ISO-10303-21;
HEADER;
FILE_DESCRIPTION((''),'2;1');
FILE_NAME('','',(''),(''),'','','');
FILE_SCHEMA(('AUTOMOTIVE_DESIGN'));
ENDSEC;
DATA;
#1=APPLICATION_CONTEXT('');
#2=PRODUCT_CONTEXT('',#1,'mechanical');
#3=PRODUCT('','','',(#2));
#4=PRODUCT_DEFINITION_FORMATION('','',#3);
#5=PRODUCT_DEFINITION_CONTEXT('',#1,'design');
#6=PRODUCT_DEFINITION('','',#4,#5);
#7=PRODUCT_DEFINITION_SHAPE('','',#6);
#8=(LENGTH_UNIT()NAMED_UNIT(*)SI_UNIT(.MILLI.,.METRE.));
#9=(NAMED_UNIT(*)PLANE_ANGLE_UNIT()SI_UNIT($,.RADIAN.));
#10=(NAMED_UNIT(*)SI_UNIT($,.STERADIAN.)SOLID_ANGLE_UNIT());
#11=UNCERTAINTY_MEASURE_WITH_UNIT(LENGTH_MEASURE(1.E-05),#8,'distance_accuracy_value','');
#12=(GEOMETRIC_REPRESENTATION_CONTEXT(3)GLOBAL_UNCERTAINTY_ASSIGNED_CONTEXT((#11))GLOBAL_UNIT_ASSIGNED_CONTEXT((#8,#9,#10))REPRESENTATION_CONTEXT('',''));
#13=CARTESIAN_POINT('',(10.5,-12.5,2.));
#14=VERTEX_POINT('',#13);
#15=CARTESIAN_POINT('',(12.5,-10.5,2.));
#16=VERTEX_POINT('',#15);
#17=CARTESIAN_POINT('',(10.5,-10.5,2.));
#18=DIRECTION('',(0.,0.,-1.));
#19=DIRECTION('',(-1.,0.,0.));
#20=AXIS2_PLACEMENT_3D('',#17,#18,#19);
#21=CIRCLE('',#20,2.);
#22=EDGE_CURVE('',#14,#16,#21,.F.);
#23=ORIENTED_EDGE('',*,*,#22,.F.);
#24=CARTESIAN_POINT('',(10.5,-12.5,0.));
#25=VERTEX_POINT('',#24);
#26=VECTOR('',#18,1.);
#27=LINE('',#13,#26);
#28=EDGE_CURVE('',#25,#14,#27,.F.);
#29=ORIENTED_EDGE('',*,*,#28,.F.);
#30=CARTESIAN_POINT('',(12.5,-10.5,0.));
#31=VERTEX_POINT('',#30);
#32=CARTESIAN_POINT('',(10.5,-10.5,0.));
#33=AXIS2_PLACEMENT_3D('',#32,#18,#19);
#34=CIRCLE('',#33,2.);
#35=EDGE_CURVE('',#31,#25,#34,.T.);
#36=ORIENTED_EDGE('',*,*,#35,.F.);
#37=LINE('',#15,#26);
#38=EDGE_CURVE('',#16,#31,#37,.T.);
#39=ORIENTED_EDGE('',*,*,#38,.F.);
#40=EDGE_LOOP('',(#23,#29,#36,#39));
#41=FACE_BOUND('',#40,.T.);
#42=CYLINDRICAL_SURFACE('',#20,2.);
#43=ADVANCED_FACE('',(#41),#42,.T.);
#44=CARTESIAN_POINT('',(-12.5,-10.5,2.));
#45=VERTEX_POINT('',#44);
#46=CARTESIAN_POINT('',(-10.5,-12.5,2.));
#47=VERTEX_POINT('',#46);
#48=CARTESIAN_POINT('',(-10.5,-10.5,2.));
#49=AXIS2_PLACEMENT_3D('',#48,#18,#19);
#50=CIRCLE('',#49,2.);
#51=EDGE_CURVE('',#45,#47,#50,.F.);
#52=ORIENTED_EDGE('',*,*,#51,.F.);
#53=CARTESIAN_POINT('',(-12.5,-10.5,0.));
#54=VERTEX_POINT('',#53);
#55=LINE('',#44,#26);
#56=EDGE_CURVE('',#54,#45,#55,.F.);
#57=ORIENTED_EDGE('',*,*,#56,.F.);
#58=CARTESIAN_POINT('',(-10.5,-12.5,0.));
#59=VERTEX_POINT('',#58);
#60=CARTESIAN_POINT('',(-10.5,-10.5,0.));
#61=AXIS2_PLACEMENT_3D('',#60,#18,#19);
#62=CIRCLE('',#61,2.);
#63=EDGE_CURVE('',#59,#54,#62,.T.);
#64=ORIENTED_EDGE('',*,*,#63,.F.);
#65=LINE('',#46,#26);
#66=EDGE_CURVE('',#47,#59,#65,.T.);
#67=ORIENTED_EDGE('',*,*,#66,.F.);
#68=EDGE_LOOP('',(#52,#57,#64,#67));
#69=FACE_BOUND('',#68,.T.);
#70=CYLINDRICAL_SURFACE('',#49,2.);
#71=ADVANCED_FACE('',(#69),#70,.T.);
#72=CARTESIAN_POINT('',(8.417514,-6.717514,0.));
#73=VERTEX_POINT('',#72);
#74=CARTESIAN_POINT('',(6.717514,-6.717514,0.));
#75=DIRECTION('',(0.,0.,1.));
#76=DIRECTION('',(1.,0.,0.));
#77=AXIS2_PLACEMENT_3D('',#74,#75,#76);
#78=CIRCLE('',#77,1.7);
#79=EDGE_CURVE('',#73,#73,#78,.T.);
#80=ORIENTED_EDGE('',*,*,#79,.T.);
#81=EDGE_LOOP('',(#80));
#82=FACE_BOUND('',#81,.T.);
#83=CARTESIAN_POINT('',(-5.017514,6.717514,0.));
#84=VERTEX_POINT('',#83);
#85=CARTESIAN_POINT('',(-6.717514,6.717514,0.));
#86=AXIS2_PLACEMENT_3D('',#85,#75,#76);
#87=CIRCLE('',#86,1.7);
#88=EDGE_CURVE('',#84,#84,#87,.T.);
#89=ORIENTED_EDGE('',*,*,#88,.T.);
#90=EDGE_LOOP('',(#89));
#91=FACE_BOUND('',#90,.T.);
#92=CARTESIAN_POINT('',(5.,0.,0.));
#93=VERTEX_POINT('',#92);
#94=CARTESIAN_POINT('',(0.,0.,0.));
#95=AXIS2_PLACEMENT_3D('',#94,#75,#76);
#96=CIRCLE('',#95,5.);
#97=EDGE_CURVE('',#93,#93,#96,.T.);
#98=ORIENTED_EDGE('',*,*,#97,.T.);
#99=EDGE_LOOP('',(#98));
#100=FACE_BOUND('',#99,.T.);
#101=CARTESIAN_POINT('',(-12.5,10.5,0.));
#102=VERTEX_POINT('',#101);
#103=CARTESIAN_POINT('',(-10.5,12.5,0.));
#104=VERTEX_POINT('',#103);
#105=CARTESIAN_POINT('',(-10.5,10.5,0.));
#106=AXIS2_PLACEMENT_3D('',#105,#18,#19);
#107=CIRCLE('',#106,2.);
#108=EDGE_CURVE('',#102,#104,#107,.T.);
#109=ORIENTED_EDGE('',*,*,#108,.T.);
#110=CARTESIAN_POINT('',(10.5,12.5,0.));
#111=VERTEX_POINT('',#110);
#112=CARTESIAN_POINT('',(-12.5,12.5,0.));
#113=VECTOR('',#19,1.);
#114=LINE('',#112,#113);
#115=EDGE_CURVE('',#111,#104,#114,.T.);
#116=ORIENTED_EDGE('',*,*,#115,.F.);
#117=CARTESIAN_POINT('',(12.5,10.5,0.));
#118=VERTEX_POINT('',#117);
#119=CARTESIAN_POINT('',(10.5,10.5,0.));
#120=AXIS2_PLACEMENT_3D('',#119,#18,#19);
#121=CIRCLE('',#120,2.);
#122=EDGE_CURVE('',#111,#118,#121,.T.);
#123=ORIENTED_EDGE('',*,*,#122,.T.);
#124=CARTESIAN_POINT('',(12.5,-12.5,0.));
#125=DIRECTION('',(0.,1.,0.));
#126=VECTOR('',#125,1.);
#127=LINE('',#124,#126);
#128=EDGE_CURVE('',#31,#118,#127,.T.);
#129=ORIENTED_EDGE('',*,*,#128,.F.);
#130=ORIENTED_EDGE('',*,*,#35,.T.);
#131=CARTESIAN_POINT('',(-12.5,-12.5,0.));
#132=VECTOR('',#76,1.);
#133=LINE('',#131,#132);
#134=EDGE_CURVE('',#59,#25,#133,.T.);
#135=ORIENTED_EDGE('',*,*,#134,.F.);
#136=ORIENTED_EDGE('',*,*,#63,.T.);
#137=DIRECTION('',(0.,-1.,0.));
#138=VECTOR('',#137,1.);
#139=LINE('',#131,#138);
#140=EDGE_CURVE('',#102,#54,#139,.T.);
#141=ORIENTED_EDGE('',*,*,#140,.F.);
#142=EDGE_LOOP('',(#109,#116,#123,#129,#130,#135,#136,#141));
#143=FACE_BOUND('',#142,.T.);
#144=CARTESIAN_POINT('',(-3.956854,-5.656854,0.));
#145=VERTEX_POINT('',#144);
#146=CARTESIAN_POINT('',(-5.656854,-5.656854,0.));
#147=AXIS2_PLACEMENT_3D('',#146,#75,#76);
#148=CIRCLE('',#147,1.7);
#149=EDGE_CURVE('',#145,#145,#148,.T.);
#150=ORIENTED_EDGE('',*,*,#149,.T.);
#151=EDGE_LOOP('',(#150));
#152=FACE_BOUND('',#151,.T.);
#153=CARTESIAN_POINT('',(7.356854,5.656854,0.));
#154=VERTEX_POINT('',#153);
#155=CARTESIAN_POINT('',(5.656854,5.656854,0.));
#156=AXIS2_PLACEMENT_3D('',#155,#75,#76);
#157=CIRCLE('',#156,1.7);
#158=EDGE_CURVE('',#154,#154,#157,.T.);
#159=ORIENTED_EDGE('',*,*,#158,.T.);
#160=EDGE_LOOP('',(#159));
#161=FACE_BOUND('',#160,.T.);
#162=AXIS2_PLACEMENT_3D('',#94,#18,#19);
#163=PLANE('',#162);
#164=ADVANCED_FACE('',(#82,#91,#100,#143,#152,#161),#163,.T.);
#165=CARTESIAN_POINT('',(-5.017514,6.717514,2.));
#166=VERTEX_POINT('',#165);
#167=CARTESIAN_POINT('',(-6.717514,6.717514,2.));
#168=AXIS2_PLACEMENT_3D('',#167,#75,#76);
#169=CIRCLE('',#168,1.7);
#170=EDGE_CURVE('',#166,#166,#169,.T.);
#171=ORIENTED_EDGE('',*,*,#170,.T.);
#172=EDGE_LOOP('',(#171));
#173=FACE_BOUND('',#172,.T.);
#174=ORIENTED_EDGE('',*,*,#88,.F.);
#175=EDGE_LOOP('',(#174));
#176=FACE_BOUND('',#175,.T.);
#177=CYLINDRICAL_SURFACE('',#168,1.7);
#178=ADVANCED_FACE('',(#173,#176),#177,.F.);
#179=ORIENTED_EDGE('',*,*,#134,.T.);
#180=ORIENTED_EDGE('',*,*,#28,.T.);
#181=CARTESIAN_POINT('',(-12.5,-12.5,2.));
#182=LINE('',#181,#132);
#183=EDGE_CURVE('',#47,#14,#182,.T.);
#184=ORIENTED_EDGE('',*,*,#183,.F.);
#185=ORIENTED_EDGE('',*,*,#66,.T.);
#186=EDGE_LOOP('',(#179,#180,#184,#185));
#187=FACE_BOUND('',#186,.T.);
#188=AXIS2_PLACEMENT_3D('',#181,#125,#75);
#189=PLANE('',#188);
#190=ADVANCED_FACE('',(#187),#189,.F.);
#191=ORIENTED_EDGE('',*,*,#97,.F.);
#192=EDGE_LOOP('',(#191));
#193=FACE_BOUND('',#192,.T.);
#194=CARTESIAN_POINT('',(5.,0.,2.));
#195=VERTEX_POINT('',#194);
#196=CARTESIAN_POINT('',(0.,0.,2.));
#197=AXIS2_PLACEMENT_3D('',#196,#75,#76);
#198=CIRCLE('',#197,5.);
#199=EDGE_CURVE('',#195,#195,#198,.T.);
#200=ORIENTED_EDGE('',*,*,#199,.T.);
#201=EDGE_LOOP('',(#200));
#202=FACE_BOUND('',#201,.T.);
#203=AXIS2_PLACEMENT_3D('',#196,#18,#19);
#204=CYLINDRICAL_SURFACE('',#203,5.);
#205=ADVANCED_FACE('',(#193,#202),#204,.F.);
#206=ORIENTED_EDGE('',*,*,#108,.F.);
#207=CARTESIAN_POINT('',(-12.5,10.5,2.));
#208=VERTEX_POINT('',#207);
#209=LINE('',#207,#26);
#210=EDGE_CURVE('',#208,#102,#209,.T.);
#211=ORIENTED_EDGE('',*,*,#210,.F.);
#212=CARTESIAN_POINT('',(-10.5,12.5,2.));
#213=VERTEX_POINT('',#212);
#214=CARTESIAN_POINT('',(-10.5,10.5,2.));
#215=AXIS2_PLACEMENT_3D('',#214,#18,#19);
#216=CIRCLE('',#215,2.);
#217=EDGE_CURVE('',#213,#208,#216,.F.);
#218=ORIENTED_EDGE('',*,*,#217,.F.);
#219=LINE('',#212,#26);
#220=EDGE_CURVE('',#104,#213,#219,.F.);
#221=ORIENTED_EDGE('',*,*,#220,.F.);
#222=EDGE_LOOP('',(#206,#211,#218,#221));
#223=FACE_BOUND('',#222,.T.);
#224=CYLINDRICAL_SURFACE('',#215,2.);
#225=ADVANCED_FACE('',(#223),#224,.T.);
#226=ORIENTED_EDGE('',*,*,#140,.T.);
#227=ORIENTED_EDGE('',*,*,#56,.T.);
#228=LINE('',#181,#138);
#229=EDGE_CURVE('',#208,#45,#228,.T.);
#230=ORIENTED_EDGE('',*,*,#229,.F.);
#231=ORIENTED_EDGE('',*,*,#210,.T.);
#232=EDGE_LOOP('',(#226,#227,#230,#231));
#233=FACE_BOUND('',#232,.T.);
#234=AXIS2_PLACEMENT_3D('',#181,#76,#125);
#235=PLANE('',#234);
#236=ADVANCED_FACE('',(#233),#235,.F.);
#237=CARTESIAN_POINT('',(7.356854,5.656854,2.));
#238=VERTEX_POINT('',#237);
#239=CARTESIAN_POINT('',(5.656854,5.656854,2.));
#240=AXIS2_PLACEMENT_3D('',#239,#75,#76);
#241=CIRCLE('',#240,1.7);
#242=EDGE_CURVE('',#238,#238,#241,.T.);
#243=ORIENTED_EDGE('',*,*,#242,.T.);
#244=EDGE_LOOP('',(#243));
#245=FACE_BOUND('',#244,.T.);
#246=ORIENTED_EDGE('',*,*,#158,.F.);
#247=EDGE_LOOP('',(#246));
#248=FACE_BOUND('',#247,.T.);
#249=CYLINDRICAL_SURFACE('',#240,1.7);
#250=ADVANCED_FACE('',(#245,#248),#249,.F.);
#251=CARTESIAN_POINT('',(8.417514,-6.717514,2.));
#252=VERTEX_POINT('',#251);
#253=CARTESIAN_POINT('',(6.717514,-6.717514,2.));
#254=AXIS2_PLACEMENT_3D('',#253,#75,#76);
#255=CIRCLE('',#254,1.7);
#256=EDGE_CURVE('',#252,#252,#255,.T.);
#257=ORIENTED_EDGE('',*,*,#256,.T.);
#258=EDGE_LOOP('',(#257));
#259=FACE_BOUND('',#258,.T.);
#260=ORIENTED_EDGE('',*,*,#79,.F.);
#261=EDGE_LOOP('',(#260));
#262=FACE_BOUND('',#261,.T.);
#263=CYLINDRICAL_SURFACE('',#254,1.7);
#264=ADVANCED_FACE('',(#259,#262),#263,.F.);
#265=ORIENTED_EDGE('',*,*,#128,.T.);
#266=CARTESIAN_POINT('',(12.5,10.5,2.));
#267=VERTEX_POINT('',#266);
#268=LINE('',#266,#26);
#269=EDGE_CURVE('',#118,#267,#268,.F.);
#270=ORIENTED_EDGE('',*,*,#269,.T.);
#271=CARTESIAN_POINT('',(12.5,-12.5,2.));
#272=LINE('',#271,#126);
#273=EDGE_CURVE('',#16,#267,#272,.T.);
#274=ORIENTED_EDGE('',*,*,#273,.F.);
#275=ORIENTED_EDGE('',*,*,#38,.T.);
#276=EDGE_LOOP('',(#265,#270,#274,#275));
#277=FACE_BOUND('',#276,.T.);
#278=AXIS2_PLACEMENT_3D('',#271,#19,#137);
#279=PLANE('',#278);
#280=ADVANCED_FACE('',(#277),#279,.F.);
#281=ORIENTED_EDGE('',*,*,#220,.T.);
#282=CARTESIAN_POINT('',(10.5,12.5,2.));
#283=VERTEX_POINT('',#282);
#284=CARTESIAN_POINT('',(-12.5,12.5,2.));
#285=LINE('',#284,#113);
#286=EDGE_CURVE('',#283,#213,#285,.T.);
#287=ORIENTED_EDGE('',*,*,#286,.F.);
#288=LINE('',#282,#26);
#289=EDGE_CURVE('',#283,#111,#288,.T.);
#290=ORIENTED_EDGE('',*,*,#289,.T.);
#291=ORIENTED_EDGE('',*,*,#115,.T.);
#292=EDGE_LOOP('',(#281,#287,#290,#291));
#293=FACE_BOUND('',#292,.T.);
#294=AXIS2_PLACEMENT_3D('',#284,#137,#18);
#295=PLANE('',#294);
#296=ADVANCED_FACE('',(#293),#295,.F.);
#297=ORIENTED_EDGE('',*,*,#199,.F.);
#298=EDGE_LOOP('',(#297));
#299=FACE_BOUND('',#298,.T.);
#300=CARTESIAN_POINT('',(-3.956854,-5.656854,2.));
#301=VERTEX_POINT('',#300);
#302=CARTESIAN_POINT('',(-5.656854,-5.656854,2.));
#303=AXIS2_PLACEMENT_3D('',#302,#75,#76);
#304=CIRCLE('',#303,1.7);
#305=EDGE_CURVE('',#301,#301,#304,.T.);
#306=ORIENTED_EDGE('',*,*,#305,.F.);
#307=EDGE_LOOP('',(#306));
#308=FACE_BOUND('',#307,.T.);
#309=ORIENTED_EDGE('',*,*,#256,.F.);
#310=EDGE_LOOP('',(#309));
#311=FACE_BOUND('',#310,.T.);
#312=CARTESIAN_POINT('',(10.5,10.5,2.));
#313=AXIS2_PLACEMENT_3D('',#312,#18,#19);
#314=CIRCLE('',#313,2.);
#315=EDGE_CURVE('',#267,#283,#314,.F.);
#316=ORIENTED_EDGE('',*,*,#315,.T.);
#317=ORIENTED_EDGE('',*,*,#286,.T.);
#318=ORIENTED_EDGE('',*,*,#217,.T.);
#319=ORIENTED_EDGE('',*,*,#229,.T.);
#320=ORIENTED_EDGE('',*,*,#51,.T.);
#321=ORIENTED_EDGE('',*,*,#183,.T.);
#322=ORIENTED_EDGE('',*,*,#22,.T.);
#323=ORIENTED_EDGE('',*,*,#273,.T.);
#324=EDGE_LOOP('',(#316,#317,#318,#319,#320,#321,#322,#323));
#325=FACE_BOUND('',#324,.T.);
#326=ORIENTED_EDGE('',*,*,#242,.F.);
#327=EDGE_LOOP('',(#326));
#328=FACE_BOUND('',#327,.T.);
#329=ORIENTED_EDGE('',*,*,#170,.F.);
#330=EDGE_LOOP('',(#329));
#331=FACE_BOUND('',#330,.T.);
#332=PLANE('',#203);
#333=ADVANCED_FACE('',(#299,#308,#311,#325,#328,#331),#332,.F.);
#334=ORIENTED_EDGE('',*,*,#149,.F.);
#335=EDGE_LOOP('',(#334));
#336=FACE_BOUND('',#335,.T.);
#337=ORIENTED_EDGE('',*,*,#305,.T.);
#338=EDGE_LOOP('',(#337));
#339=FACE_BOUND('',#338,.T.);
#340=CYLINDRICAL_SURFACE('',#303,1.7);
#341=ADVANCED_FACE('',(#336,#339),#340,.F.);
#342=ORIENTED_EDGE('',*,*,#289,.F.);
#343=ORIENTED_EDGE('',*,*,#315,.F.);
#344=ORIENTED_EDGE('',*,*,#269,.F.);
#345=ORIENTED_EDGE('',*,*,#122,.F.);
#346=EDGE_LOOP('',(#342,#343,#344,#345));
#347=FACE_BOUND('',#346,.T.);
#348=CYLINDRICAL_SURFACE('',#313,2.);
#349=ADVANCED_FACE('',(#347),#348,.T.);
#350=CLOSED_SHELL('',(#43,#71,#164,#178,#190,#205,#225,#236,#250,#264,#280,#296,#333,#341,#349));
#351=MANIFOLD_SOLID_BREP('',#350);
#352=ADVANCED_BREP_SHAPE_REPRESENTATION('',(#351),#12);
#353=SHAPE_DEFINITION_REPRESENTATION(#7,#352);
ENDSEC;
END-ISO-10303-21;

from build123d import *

# Parameters (mm, degrees)
SKETCH1_W            = 25
SKETCH1_H            = 25
SKETCH1_R            = 5
BOSS_EXTRUDE2_DEPTH  = 2
FILLET2_R            = 2
M3_CLEARANCE_HOLE1_D = 3.4


with BuildPart() as part:
    # Sketch1 → Boss-Extrude2 (new body)
    with BuildSketch(Plane.XY):
        Rectangle(SKETCH1_W, SKETCH1_H)
        Circle(SKETCH1_R, mode=Mode.SUBTRACT)
    extrude(amount=BOSS_EXTRUDE2_DEPTH)

    # Fillet2
    fillet2_edges = [part.edges().sort_by_distance(p)[0] for p in [
        (-12.5, 12.5, 1),
        (12.5, 12.5, 1),
        (12.5, -12.5, 1),
        (-12.5, -12.5, 1),
    ]]
    fillet(fillet2_edges, radius=FILLET2_R)

    # M3 Clearance Hole1 (through all)
    with Locations(Plane.XY.offset(2)):
        with Locations((-6.717514421, 6.717514421), (5.656854249, 5.656854249), (6.717514421, -6.717514421), (-5.656854249, -5.656854249)):
            Hole(M3_CLEARANCE_HOLE1_D / 2)


solid = part.part
